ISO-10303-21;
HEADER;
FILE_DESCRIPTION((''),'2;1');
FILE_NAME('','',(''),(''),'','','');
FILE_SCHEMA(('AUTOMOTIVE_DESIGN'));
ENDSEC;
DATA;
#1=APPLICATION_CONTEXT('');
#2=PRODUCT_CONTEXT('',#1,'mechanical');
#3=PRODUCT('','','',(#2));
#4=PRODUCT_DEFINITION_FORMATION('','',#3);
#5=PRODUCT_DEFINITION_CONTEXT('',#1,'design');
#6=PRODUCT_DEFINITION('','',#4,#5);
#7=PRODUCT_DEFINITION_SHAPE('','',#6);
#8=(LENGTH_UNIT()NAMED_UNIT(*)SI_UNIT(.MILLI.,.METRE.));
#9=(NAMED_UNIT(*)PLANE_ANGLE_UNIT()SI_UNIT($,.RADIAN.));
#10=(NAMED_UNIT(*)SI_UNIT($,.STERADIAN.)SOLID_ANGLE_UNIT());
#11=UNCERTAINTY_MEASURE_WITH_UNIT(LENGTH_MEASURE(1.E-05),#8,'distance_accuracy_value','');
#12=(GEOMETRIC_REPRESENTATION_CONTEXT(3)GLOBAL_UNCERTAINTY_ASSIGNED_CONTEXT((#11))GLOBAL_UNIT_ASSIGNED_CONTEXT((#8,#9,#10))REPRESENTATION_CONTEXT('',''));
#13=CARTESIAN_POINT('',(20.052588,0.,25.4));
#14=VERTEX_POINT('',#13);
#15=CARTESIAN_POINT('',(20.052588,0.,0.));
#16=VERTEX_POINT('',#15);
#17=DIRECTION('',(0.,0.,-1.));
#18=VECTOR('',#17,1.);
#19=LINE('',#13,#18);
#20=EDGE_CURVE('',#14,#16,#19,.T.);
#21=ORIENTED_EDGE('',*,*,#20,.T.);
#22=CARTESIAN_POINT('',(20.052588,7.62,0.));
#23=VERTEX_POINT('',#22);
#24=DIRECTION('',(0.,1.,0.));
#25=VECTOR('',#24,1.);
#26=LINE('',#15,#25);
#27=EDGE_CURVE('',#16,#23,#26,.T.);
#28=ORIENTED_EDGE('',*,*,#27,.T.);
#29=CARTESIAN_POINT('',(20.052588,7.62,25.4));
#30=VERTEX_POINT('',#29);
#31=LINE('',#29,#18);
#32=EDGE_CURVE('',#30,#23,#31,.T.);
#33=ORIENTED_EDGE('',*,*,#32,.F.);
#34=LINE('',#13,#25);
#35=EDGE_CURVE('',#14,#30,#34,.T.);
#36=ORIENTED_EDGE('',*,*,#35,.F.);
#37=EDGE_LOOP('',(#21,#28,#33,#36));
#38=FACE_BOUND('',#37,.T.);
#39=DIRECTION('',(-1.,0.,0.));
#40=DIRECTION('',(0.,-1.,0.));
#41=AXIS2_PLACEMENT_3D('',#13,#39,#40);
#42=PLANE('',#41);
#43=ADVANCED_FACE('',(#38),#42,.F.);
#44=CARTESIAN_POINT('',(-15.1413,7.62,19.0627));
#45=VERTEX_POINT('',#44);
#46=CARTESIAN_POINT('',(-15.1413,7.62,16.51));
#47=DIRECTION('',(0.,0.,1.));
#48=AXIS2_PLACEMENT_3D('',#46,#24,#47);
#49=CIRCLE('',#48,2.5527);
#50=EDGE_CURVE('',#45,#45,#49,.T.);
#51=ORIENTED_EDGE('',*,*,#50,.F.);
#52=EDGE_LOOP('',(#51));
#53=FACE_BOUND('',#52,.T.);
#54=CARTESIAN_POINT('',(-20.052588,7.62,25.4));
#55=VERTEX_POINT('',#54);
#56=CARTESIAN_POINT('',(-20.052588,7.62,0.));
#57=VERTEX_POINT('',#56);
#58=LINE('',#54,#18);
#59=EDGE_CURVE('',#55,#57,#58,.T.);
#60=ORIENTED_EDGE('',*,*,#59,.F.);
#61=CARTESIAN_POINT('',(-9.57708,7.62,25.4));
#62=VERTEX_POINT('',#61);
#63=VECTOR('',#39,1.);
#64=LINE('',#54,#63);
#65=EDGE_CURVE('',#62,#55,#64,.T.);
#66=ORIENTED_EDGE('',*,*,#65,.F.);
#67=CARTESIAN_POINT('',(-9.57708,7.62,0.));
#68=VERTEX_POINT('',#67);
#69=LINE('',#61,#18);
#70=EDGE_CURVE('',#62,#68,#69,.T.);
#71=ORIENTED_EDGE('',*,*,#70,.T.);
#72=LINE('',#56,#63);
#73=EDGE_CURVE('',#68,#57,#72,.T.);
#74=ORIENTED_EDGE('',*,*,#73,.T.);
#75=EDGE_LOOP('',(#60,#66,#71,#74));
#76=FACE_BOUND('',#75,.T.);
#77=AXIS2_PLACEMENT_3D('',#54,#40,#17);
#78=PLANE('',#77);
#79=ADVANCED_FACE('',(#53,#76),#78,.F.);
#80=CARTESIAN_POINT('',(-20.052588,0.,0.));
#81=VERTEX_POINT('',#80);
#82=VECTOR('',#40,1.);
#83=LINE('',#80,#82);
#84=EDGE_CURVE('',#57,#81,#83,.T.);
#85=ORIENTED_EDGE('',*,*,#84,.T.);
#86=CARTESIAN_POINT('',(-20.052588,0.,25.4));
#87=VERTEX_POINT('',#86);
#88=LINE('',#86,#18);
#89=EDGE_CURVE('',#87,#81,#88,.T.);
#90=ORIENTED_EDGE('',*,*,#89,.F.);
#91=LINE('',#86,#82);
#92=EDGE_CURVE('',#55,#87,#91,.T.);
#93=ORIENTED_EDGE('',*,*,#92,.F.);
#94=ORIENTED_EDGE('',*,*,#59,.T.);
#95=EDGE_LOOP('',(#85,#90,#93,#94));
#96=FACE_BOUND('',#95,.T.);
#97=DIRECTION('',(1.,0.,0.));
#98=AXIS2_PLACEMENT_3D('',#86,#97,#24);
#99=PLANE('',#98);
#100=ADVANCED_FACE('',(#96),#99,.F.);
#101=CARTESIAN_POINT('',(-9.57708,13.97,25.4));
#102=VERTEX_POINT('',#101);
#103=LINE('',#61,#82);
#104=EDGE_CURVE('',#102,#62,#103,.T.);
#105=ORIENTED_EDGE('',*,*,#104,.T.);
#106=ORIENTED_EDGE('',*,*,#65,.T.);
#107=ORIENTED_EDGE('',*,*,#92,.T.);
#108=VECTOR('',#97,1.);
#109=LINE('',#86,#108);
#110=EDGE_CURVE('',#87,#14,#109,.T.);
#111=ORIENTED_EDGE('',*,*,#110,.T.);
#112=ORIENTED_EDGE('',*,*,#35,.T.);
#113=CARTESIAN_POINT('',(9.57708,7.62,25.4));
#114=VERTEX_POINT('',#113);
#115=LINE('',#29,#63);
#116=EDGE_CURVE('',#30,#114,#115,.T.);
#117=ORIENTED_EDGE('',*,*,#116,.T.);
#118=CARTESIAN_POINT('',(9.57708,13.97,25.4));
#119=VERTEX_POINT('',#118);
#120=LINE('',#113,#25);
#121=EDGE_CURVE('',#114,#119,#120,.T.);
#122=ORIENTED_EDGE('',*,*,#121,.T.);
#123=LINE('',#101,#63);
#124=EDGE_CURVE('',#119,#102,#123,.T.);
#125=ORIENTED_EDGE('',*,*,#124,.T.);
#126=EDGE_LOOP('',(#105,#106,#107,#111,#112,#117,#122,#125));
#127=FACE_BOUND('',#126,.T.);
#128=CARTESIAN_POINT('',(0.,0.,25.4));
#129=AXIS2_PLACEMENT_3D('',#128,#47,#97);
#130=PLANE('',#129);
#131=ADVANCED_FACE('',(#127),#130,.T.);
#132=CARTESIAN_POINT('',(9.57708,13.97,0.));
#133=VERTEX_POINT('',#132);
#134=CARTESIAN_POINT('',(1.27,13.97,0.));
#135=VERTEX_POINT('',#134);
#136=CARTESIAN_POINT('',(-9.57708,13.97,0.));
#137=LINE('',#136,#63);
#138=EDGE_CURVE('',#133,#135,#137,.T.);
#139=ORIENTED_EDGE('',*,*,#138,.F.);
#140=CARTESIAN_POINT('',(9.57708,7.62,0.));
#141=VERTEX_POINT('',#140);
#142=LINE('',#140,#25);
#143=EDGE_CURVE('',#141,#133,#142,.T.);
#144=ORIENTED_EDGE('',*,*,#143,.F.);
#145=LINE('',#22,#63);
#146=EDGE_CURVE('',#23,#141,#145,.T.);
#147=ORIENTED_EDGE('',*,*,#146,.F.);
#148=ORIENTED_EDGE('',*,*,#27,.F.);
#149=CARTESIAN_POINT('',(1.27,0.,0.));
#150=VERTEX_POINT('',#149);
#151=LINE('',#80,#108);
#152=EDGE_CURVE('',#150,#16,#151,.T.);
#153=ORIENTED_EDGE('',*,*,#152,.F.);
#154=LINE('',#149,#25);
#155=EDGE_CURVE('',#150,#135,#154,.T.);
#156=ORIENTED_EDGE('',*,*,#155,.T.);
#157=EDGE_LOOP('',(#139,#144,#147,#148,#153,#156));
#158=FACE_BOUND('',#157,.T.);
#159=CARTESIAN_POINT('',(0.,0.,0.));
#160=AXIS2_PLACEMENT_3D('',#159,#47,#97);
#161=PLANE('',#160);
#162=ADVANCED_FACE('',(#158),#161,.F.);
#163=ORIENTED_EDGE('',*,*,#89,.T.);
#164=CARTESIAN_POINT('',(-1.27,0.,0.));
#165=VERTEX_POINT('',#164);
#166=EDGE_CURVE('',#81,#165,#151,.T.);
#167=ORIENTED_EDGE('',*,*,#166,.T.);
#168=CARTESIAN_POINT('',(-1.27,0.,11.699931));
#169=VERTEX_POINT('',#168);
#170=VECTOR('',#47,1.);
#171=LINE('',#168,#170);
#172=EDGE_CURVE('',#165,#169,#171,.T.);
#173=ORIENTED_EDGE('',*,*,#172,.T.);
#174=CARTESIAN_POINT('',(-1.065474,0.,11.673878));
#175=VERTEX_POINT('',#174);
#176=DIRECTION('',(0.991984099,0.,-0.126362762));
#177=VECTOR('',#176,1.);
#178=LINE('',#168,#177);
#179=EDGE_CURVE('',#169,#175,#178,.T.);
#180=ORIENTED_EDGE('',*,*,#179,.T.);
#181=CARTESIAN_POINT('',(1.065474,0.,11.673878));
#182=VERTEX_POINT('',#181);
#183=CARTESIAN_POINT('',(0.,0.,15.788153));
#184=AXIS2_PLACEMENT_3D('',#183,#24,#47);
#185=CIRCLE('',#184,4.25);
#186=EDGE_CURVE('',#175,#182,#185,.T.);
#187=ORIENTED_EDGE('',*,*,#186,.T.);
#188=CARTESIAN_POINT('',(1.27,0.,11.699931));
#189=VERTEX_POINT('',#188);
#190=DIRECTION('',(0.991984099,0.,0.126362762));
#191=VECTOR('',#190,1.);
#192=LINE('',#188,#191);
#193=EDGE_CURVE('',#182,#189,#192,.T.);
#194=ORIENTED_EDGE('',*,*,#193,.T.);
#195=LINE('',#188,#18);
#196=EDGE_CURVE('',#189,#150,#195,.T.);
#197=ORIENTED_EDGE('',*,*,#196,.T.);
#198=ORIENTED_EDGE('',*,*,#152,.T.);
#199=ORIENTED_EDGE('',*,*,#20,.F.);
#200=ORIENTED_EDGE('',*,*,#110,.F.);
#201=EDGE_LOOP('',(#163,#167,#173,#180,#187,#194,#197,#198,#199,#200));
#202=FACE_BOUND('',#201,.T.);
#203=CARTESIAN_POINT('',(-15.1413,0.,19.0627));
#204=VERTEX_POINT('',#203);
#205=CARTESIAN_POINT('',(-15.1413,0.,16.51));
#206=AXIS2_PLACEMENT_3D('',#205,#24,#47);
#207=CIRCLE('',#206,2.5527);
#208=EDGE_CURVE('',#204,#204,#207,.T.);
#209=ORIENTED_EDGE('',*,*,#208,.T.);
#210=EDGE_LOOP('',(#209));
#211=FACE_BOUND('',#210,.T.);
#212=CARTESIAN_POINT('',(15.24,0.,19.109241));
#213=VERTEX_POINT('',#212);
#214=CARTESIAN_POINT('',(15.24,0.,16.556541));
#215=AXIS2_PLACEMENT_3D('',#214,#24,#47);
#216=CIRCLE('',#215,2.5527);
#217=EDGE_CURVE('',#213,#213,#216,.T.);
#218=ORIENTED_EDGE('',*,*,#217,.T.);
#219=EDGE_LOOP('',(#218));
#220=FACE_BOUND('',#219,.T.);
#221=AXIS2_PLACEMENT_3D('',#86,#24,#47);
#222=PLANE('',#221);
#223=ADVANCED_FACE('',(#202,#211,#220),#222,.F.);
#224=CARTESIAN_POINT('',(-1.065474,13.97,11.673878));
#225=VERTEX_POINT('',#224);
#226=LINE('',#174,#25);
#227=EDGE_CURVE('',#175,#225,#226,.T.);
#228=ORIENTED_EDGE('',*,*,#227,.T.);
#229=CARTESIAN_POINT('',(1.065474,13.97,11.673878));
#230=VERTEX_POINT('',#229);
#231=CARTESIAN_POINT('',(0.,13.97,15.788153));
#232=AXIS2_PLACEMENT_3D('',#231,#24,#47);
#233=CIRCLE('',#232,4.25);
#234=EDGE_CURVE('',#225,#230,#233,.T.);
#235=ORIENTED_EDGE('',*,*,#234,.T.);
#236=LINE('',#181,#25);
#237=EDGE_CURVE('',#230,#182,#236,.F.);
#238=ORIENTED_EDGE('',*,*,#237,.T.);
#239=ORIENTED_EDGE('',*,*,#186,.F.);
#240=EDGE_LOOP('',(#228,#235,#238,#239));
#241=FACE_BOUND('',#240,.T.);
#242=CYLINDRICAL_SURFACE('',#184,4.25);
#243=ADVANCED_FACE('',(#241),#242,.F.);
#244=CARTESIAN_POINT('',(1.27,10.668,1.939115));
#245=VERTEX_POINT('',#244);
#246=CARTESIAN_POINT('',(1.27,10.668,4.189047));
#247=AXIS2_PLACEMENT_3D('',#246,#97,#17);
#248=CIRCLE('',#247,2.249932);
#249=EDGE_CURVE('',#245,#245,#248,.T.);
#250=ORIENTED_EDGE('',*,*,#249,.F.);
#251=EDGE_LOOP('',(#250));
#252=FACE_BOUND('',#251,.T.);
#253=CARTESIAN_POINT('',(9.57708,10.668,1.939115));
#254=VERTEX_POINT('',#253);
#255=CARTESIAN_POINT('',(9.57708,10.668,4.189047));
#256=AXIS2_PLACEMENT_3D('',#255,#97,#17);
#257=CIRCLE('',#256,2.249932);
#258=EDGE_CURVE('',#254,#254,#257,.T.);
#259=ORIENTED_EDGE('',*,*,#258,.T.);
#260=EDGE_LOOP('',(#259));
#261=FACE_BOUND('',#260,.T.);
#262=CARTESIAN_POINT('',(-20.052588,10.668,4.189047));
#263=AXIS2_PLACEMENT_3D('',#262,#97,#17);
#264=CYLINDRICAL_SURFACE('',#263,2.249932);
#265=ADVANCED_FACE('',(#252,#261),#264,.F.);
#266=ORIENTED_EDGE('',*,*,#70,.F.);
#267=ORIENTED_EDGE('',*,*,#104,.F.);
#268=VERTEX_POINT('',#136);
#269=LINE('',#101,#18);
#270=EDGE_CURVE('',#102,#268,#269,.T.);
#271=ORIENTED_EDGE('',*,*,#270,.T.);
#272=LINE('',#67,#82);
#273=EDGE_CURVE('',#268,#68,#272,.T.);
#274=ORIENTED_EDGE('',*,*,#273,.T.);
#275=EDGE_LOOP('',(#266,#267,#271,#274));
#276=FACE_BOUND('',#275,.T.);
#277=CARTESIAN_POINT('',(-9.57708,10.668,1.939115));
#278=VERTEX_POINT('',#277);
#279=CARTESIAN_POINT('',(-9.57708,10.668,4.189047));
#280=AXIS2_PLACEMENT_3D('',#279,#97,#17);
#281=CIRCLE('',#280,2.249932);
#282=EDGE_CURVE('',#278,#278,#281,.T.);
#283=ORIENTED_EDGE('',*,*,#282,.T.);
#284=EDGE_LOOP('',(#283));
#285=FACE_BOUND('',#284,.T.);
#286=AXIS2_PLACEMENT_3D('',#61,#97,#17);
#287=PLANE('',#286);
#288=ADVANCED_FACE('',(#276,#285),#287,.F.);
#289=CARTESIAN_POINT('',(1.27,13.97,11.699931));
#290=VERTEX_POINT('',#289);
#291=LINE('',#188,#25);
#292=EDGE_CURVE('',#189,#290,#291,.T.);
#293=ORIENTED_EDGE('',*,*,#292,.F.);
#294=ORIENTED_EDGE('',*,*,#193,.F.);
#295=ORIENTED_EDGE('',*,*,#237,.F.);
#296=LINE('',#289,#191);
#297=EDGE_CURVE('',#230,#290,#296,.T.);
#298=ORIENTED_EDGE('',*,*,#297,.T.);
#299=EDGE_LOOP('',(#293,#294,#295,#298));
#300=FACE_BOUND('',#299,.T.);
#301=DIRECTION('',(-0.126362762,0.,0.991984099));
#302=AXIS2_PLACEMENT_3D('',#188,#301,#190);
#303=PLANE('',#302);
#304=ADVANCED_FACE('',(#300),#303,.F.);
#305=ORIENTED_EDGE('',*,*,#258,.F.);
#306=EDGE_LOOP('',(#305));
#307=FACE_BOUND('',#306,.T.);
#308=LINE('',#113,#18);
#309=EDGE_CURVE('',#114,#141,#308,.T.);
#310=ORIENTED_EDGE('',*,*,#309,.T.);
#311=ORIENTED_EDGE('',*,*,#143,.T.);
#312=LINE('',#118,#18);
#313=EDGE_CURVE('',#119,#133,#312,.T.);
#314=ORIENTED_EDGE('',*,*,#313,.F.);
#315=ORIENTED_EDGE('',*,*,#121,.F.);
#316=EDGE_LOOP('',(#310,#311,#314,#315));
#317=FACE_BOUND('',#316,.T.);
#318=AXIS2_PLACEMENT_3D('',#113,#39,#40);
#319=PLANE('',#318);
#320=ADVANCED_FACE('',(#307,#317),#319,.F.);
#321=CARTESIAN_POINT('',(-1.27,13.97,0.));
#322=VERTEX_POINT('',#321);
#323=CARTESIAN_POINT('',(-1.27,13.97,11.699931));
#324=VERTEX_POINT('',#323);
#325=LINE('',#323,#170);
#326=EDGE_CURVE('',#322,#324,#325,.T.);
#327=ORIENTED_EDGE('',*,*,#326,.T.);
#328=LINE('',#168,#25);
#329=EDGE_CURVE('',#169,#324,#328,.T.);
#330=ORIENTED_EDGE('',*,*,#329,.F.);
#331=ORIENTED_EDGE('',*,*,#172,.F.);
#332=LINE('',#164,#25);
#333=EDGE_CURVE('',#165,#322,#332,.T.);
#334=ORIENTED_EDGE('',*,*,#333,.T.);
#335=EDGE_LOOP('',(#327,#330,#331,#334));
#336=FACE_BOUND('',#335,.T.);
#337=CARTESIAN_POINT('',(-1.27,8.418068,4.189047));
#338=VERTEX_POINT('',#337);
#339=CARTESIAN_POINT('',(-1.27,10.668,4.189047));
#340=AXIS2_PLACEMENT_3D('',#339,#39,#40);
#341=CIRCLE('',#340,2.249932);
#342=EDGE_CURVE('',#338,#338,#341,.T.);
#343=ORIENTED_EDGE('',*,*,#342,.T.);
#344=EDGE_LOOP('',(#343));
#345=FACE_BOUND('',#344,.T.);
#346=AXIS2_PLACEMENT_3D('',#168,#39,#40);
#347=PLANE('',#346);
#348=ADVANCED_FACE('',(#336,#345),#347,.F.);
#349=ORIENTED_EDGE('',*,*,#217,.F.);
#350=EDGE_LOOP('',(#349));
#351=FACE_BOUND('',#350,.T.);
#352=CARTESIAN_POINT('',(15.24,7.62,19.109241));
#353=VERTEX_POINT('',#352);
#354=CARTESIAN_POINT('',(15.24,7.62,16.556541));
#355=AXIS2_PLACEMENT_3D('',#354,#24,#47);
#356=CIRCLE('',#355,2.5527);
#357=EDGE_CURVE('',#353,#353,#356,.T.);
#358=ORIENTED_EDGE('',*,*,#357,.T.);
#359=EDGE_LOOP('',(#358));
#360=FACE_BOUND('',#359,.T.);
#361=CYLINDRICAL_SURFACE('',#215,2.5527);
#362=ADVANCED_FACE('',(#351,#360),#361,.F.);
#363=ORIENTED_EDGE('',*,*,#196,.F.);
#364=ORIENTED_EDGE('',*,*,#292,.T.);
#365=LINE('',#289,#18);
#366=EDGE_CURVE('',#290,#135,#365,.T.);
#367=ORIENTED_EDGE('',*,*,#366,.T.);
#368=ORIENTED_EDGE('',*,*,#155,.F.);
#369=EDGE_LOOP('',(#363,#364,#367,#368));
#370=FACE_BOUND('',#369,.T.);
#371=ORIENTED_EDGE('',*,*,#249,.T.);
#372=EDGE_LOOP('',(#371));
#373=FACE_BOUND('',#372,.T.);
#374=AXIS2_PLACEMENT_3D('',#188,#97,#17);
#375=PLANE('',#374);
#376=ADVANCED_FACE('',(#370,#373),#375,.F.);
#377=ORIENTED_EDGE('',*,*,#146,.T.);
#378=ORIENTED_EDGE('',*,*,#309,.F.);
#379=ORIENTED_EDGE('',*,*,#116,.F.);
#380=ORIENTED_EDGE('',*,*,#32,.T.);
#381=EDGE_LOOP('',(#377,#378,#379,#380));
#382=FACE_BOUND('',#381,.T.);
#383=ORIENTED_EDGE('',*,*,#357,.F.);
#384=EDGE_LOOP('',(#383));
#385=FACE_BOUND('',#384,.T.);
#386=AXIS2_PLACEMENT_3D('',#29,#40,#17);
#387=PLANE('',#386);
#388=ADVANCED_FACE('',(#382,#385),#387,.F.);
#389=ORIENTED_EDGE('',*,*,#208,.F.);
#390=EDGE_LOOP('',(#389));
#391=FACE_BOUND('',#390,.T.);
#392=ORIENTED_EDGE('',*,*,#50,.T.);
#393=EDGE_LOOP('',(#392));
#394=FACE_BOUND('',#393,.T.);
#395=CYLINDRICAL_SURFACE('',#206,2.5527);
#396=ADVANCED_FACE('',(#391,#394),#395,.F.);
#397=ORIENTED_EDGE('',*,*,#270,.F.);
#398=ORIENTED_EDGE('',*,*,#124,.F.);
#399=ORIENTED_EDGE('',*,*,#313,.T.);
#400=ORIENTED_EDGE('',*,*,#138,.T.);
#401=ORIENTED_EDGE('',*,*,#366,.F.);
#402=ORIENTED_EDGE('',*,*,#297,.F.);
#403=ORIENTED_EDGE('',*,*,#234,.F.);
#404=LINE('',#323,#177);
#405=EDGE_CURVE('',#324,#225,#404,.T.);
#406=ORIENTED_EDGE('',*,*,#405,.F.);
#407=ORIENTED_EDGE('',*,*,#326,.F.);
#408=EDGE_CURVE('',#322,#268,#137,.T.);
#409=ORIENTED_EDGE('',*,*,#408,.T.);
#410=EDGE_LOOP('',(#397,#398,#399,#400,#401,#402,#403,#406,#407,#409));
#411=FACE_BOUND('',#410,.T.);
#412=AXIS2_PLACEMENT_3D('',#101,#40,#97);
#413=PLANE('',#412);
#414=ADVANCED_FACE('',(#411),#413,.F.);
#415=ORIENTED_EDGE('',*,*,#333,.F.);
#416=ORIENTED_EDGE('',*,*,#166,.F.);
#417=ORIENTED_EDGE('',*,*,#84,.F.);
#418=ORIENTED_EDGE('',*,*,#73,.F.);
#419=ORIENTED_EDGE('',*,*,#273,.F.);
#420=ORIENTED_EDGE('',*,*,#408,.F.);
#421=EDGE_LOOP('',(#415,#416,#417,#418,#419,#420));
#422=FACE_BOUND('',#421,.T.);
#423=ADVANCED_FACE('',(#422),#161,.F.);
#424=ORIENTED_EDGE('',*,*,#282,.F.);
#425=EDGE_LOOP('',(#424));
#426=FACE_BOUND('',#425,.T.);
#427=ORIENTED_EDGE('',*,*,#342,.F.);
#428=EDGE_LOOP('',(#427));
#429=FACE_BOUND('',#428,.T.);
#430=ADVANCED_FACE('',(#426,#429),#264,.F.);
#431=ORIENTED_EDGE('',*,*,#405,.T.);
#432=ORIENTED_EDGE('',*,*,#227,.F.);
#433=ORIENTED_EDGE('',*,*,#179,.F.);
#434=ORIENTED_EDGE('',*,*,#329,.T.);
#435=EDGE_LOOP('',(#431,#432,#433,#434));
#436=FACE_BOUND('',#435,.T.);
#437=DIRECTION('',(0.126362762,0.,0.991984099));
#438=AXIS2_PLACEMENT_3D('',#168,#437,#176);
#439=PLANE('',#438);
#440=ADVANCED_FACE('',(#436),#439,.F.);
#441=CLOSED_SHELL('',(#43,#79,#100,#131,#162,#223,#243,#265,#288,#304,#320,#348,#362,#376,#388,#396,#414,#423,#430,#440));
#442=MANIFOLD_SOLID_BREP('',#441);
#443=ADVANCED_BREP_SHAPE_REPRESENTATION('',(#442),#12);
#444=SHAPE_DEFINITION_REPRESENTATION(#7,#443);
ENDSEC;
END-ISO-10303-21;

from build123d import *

# Parameters (mm, degrees)
BOSS_EXTRUDE1_DEPTH = 25.4
SKETCH6_R           = 4.25
CUT_EXTRUDE1_DEPTH  = 14.97
SKETCH12_R          = 2.5527
CUT_EXTRUDE2_DEPTH  = 8.62
CUT_EXTRUDE3_DEPTH  = 14.97
SKETCH16_R          = 2.249932
CUT_EXTRUDE8_DEPTH  = 30.62966793


with BuildPart() as part:
    # Sketch1 → Boss-Extrude1 (new body)
    with BuildSketch(Plane.XY):
        Polygon((-20.052587871, 0), (-20.052587871, 7.62), (-9.577080059, 7.62), (-9.577080059, 13.97), (9.577080059, 13.97), (9.577080059, 7.62), (20.052587871, 7.62), (20.052587871, 0), align=None)
    extrude(amount=BOSS_EXTRUDE1_DEPTH)

    # Sketch6 → Cut-Extrude1 (cut, through all)
    with BuildSketch(Plane(origin=(0, 13.97, 0), x_dir=(1, 0, 0), z_dir=(0, 1, 0))):
        with Locations((0, -15.788153465)):
            Circle(SKETCH6_R)
    extrude(amount=-CUT_EXTRUDE1_DEPTH, mode=Mode.SUBTRACT)

    # Sketch12 → Cut-Extrude2 (cut, through all)
    with BuildSketch(Plane(origin=(0, 7.62, 0), x_dir=(1, 0, 0), z_dir=(0, 1, 0))):
        with Locations((-15.141300214, -16.51)):
            Circle(SKETCH12_R)
        with Locations((15.24, -16.556540888)):
            Circle(SKETCH12_R)
    extrude(amount=-CUT_EXTRUDE2_DEPTH, mode=Mode.SUBTRACT)

    # Sketch14 → Cut-Extrude3 (cut, through all)
    with BuildSketch(Plane(origin=(0, 13.97, 0), x_dir=(1, 0, 0), z_dir=(0, 1, 0))):
        Polygon((-1.27, 0), (1.27, 0), (1.27, -11.699930965), (0, -11.538153465), (-1.27, -11.699930965), align=None)
    extrude(amount=-CUT_EXTRUDE3_DEPTH, mode=Mode.SUBTRACT)

    # Sketch16 → Cut-Extrude8 (cut, through all)
    with BuildSketch(Plane(origin=(9.577080059, 0, 0), x_dir=(0, 0, -1), z_dir=(1, 0, 0))):
        with Locations((-4.189047087, 10.668)):
            Circle(SKETCH16_R)
    extrude(amount=-CUT_EXTRUDE8_DEPTH, mode=Mode.SUBTRACT)


solid = part.part
